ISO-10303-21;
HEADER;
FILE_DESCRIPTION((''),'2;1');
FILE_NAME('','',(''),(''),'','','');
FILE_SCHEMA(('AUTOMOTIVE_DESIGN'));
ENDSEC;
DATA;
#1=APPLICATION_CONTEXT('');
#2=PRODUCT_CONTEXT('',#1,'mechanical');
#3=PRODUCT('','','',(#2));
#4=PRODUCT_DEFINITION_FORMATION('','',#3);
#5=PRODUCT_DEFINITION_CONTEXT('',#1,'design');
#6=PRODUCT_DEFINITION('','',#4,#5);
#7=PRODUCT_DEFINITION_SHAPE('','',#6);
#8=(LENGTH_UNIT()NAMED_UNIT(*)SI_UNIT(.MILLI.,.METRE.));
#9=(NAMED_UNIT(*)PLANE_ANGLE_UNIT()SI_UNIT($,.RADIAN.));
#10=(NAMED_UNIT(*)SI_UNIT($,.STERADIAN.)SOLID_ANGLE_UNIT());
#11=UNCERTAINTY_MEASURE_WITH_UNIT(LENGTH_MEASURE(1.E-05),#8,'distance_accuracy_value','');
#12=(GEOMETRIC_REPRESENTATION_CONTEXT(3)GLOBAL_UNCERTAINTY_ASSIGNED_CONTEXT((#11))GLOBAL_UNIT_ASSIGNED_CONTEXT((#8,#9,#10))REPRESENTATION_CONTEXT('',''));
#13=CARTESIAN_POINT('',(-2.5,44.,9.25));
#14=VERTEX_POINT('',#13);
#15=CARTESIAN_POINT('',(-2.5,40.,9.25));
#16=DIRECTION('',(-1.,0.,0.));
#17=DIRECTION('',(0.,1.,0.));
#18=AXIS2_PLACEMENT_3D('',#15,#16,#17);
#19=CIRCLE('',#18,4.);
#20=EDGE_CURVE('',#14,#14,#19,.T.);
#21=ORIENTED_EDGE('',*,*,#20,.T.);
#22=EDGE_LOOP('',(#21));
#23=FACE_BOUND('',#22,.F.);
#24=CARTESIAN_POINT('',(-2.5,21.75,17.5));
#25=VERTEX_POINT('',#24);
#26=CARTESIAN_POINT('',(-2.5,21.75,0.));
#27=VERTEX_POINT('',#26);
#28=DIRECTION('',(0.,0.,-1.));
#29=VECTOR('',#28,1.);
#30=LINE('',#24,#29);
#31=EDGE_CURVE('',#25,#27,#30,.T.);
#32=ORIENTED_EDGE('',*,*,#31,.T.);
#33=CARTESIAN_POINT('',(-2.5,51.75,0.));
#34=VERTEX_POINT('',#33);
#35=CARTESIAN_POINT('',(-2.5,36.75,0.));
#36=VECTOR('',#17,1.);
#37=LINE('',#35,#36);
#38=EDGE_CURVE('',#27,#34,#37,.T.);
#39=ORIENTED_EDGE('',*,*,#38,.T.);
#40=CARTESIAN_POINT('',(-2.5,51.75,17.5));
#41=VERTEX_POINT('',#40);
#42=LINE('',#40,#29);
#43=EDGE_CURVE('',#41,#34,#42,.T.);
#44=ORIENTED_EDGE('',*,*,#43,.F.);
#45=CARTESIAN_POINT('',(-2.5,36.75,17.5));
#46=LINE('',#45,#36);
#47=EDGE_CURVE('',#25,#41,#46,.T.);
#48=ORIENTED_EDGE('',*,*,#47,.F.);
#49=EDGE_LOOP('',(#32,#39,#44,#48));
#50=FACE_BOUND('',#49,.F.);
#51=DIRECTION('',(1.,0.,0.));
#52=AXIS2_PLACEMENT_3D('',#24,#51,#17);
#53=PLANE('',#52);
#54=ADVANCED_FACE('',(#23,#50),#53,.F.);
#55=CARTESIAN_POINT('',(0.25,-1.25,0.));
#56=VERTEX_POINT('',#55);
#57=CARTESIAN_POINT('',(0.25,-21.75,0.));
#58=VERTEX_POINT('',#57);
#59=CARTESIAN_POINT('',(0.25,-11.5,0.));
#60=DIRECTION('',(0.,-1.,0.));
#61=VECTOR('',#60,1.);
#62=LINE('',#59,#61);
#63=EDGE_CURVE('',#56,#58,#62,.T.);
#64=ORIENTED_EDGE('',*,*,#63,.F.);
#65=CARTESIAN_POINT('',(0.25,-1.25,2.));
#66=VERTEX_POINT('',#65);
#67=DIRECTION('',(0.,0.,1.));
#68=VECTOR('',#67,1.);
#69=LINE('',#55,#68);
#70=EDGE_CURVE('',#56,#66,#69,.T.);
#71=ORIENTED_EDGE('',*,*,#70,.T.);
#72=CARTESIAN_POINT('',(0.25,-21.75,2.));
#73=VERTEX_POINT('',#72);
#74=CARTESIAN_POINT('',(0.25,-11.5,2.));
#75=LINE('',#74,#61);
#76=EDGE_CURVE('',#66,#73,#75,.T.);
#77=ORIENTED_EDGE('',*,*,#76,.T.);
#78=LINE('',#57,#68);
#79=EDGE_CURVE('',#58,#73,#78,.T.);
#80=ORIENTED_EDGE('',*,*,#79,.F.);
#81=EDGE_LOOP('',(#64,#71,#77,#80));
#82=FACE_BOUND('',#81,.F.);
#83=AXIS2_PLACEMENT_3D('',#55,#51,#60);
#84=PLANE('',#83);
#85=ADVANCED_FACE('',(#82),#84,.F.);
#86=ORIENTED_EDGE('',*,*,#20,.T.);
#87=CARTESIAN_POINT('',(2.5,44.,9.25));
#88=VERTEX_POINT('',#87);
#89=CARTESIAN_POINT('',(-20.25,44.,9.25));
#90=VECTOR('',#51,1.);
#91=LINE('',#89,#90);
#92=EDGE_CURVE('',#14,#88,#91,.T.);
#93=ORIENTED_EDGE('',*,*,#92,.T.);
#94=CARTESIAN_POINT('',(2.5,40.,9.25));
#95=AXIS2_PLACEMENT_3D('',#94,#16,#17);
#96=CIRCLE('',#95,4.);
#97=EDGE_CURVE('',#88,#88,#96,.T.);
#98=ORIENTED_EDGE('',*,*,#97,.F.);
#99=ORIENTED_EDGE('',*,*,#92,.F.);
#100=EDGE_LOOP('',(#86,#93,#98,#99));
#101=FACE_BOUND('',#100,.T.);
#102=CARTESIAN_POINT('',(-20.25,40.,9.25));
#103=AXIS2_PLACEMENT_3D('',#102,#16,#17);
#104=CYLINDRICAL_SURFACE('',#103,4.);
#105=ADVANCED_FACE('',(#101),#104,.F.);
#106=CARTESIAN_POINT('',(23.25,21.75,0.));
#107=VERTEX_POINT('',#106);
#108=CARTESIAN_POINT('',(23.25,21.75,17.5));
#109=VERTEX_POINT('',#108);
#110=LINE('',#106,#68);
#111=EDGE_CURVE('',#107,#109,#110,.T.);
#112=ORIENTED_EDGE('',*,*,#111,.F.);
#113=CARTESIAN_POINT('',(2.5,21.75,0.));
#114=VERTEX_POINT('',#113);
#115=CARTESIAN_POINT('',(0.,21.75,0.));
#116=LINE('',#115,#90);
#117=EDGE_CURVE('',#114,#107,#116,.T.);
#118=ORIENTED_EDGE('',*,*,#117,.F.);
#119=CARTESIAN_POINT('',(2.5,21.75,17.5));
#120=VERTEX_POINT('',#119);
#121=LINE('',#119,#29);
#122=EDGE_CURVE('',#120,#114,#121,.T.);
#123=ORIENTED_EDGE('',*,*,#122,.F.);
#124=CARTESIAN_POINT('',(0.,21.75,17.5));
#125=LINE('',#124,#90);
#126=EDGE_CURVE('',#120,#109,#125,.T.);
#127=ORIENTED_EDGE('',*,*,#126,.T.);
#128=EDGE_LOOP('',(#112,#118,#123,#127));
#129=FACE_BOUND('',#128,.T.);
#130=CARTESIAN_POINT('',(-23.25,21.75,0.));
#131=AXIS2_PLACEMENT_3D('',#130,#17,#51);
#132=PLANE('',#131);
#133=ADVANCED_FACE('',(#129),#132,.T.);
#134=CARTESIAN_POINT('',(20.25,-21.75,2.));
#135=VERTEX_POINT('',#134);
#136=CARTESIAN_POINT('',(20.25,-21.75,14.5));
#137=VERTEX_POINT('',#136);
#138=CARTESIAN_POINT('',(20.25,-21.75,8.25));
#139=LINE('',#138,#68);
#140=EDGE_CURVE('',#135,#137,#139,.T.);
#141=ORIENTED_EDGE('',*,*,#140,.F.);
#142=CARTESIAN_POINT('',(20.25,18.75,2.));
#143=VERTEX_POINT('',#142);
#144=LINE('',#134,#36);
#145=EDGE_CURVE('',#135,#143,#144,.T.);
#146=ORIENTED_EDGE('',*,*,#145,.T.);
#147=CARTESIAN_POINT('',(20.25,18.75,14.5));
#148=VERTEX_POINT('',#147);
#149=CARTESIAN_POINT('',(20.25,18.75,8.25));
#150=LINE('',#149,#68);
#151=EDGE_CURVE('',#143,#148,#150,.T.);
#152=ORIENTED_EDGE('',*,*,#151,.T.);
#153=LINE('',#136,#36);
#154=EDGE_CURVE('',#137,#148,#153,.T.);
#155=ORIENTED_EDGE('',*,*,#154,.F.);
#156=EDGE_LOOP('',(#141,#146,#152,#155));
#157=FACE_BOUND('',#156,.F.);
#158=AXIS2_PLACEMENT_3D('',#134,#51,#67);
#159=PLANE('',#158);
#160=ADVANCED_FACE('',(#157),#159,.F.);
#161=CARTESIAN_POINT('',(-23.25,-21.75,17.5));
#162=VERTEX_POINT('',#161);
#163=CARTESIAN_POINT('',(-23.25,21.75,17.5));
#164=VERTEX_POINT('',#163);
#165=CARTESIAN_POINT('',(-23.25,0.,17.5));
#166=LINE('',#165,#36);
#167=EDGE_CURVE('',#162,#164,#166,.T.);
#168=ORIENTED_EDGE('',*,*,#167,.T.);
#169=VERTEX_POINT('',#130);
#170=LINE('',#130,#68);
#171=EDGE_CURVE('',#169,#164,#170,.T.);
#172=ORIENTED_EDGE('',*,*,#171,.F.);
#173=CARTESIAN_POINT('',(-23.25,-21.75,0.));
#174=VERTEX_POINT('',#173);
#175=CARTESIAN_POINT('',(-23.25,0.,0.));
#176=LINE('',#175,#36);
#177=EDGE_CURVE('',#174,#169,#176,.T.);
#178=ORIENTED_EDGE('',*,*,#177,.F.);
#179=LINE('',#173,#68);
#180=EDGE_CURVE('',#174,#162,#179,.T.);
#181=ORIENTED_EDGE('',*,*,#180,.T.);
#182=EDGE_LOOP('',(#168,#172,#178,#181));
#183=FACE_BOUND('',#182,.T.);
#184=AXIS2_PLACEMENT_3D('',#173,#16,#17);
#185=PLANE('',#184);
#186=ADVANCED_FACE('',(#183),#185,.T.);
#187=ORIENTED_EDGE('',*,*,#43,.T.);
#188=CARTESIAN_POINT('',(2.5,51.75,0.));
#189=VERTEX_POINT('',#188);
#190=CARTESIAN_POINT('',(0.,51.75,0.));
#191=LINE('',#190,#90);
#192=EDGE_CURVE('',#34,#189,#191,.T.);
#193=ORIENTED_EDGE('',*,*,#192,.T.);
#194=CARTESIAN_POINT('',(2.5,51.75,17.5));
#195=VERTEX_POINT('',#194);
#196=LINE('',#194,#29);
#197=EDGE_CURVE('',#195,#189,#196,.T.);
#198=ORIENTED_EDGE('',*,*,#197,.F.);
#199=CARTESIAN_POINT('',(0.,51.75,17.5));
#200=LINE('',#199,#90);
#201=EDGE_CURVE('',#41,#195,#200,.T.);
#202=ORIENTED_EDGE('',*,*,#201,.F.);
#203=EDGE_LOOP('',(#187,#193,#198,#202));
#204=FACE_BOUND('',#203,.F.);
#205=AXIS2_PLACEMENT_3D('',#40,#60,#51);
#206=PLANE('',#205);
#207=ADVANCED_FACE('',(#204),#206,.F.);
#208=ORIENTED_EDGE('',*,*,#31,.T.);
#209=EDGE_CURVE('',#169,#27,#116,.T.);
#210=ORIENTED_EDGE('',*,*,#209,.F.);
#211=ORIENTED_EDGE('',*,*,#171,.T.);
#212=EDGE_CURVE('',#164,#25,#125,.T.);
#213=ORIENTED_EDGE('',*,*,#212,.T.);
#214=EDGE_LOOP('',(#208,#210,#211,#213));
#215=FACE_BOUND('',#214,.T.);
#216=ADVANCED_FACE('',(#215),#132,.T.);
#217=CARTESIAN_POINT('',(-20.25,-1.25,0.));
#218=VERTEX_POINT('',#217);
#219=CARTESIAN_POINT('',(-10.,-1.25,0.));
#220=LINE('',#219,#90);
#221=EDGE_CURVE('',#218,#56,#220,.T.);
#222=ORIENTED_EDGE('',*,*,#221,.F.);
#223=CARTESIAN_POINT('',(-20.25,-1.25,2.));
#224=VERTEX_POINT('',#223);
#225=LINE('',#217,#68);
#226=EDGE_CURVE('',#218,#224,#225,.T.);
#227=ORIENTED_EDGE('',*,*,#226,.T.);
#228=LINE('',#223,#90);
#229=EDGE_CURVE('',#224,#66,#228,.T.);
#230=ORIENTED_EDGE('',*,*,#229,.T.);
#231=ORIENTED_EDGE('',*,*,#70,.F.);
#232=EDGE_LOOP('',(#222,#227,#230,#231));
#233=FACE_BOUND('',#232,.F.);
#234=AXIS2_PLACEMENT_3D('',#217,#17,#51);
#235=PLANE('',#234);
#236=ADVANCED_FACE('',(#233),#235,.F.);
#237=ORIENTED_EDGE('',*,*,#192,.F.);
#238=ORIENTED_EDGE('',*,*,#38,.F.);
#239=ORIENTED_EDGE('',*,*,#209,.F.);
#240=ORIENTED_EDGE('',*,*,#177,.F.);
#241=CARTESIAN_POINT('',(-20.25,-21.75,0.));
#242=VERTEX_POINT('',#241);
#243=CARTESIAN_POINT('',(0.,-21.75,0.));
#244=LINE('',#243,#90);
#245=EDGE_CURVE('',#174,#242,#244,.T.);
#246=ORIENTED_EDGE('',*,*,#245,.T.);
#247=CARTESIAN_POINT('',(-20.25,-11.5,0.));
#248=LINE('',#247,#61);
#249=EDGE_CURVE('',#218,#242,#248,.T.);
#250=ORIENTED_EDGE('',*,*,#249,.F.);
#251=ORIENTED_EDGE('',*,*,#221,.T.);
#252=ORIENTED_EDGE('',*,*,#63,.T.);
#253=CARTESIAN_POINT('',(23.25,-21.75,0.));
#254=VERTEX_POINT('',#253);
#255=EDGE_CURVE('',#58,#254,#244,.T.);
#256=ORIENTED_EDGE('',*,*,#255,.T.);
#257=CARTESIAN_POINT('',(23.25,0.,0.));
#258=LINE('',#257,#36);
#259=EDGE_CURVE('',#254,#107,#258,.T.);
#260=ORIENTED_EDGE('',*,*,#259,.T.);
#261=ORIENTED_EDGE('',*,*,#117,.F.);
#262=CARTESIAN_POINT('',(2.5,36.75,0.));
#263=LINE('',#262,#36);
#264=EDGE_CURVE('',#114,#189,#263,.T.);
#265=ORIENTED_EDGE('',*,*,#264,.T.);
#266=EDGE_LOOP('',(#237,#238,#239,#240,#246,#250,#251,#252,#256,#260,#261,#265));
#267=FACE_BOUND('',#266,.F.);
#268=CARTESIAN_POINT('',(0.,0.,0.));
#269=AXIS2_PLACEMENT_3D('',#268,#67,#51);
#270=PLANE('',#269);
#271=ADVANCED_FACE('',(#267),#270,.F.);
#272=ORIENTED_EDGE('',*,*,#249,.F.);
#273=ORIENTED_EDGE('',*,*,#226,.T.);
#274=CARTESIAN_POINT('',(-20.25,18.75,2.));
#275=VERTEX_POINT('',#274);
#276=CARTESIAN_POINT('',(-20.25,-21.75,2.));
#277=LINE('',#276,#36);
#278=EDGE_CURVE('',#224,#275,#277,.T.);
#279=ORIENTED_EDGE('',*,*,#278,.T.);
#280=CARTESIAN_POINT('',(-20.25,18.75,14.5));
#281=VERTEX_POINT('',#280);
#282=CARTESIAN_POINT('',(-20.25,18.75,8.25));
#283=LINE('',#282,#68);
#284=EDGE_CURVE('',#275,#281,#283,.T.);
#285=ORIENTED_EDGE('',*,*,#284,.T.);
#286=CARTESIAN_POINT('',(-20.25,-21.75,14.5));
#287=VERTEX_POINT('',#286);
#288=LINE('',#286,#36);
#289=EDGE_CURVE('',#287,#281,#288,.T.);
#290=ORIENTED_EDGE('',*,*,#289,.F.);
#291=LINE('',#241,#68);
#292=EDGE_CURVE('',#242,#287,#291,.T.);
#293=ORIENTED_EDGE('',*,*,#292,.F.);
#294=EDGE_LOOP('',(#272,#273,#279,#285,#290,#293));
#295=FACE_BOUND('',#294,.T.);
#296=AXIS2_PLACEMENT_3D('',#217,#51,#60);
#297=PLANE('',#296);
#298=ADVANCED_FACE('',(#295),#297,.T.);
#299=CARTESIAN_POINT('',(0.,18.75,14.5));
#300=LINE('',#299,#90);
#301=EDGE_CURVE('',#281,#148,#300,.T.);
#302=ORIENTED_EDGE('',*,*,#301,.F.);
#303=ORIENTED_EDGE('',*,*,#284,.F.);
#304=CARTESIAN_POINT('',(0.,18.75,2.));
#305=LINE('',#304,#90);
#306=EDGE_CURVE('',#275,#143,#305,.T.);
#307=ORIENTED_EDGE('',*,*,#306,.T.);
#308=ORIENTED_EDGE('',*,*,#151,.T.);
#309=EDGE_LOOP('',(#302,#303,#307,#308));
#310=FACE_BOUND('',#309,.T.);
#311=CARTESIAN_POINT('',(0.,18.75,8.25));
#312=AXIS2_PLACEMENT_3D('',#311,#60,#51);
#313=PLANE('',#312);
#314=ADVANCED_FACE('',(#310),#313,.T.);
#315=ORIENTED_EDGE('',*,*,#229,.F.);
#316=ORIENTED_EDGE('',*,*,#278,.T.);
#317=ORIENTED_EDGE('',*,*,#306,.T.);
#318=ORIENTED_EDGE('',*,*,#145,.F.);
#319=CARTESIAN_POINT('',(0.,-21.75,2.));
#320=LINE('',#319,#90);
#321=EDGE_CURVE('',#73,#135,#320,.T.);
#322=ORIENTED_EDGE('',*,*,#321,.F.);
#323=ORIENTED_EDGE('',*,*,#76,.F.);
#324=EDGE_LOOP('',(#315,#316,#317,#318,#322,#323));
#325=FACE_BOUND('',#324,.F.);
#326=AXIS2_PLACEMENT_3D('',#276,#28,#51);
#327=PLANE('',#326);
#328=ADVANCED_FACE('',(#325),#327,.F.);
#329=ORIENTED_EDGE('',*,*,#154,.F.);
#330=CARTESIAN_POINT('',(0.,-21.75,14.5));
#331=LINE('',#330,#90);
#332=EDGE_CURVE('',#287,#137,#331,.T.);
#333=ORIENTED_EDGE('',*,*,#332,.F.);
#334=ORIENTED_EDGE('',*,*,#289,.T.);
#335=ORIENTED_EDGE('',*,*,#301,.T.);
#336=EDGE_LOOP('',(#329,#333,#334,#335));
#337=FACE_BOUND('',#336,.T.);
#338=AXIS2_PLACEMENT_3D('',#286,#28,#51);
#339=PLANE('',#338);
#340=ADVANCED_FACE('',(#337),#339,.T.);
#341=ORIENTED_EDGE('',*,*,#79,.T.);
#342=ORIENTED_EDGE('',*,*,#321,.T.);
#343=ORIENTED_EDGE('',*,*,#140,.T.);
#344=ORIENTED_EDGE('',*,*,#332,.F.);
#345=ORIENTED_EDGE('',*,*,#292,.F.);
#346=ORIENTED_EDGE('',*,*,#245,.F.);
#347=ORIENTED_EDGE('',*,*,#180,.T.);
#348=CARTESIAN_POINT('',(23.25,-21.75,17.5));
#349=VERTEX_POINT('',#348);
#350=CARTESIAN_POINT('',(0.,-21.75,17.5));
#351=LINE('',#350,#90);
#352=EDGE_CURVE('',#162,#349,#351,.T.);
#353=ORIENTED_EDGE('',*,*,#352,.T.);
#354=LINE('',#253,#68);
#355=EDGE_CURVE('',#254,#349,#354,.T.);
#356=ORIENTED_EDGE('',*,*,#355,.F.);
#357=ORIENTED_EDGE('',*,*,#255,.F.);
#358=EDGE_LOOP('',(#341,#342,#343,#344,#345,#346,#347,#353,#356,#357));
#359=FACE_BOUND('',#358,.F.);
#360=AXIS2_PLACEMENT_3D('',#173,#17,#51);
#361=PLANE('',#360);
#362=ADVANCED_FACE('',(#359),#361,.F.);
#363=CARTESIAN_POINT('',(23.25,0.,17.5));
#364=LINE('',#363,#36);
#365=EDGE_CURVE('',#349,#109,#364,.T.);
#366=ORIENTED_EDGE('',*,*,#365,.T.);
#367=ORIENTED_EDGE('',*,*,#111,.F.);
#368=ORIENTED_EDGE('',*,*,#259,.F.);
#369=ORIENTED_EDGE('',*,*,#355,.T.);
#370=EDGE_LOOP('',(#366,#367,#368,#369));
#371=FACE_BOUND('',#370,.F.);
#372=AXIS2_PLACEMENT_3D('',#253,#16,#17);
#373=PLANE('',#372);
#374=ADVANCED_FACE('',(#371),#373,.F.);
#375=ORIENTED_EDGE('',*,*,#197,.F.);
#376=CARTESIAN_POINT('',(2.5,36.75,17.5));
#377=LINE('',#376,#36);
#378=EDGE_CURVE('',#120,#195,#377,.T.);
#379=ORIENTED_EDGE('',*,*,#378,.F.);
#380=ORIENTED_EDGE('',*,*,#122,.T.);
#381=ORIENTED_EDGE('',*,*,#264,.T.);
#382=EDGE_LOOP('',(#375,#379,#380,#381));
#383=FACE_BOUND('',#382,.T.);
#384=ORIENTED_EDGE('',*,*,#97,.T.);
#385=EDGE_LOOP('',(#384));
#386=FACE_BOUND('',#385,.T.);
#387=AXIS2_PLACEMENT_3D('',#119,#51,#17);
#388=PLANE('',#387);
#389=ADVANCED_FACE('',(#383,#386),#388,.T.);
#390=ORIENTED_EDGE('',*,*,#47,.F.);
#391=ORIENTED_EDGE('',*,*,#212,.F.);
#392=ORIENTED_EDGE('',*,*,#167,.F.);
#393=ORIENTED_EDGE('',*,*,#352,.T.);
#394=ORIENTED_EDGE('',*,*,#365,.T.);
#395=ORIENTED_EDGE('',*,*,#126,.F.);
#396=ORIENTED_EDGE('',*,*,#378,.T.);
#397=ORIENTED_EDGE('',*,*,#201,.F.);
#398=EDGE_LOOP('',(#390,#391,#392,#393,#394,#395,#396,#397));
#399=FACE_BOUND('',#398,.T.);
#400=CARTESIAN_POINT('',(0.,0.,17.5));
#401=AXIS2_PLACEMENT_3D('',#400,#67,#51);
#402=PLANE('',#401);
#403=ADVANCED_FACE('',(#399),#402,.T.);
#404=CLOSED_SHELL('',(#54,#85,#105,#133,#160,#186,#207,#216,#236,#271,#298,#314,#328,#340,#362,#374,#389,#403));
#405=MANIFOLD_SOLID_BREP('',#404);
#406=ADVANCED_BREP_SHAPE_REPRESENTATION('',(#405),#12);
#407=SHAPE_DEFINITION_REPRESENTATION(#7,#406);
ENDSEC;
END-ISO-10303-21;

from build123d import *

# Parameters (mm, degrees)
SKETCH_W        = 46.5
SKETCH_H        = 43.5
PAD_DEPTH       = 17.5
SKETCH001_W     = 40.5
SKETCH001_H     = 12.5
POCKET_DEPTH    = 40.5
SKETCH002_W     = 20.5
SKETCH002_H     = 20.5
POCKET001_DEPTH = 3
SKETCH003_W     = 5
SKETCH003_H     = 30
PAD001_DEPTH    = 17.5
SKETCH004_R     = 4
POCKET002_DEPTH = 5
POCKET003_DEPTH = 100


with BuildPart() as part:
    # Sketch → Pad (new body)
    with BuildSketch(Plane.XY):
        Rectangle(SKETCH_W, SKETCH_H)
    extrude(amount=PAD_DEPTH)

    # Sketch001 (on Face3 of Pad) → Pocket (cut)
    with BuildSketch(Plane.XZ.offset(21.75)):
        with Locations((0, 8.25)):
            Rectangle(SKETCH001_W, SKETCH001_H)
    extrude(amount=-POCKET_DEPTH, mode=Mode.SUBTRACT)

    # Sketch002 (on Face4 of Pocket) → Pocket001 (cut)
    with BuildSketch(Plane(origin=(0, 0, 0), x_dir=(1, 0, 0), z_dir=(0, 0, -1))):
        with Locations((-10, 11.5)):
            Rectangle(SKETCH002_W, SKETCH002_H)
    extrude(amount=-POCKET001_DEPTH, mode=Mode.SUBTRACT)

    # Sketch003 (on Face5 of Pocket001) → Pad001 (join)
    with BuildSketch(Plane.XY.offset(17.5)):
        with Locations((0, 36.75)):
            Rectangle(SKETCH003_W, SKETCH003_H)
    extrude(amount=-PAD001_DEPTH)

    # Sketch004 (on Face19 of Pad001) → Pocket002 (cut)
    with BuildSketch(Plane.YZ.offset(-20.25)):
        with Locations((40, 9.25)):
            Circle(SKETCH004_R)
    extrude(amount=-POCKET002_DEPTH, mode=Mode.SUBTRACT)

    # Sketch004 (on Face19 of Pad001) → Pocket003 (cut)
    with BuildSketch(Plane.YZ.offset(-20.25)):
        with Locations((40, 9.25)):
            Circle(SKETCH004_R)
    extrude(amount=POCKET003_DEPTH, mode=Mode.SUBTRACT)


solid = part.part
